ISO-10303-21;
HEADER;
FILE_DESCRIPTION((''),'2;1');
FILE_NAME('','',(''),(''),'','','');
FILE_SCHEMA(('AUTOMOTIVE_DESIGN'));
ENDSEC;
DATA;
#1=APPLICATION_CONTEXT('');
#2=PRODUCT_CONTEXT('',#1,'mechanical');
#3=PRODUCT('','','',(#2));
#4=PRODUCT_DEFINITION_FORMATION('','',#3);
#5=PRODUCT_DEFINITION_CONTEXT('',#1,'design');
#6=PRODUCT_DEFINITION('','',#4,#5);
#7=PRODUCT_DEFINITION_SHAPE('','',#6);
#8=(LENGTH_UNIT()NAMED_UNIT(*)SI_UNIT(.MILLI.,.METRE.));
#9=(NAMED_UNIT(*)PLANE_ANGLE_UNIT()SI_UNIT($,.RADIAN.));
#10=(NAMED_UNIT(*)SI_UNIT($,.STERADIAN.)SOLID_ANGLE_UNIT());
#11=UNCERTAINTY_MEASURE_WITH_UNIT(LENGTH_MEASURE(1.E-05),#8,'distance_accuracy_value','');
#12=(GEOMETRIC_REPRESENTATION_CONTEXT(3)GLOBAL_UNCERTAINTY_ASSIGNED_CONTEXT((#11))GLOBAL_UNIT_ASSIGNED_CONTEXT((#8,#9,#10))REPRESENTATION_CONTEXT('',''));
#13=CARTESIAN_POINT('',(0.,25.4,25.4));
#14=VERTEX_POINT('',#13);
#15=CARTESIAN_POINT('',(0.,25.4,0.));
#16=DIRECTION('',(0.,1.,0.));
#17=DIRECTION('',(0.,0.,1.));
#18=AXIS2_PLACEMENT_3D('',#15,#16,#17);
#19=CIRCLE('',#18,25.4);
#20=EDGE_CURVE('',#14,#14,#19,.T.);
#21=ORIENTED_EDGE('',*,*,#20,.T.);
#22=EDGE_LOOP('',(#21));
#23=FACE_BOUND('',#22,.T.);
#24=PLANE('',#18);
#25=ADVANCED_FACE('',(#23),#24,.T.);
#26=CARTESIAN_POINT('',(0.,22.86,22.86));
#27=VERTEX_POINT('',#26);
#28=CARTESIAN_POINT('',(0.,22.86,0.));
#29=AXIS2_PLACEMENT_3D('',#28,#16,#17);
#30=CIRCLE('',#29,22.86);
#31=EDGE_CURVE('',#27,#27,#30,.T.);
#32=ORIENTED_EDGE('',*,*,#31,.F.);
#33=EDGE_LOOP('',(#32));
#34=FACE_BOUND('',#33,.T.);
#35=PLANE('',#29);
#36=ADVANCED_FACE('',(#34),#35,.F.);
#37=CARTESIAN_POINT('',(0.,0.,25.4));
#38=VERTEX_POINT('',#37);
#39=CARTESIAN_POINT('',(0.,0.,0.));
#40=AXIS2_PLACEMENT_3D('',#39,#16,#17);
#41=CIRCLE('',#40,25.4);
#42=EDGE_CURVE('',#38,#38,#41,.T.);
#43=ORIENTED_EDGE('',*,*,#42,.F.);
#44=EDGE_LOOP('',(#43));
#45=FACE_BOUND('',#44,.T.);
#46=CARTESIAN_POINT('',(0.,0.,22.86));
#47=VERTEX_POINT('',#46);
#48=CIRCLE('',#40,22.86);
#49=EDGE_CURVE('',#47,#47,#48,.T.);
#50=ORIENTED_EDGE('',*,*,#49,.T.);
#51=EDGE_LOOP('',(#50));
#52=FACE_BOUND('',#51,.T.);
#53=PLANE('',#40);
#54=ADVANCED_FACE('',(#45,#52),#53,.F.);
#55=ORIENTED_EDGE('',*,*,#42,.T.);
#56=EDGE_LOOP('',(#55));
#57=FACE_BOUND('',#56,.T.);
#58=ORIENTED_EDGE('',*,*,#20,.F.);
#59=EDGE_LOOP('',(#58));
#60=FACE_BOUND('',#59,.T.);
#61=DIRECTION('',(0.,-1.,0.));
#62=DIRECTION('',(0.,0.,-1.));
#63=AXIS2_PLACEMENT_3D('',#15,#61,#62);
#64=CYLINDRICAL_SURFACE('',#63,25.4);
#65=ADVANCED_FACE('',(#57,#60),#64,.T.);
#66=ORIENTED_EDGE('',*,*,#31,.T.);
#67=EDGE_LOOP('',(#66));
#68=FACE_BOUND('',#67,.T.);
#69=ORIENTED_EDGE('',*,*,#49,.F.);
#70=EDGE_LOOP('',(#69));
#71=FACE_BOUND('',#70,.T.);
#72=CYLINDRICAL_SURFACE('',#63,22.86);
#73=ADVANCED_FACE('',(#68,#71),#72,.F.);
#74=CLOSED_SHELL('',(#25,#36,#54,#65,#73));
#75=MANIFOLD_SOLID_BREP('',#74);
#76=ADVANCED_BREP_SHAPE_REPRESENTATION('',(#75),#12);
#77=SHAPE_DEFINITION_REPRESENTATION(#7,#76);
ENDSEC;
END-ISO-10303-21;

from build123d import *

# Parameters (mm, degrees)
SKETCH1_R           = 25.4
BOSS_EXTRUDE1_DEPTH = 25.4
SHELL1_T            = -2.54


with BuildPart() as part:
    # Sketch1 → Boss-Extrude1 (new body)
    with BuildSketch(Plane(origin=(0, 0, 0), x_dir=(1, 0, 0), z_dir=(0, 1, 0))):
        with Locations(Location((0, 0, 0), (0, 0, 270))):
            Circle(SKETCH1_R)
    extrude(amount=BOSS_EXTRUDE1_DEPTH)

    # Shell1
    shell1_openings = [part.faces().sort_by_distance(p)[0] for p in [
        (0, 0, 0),
    ]]
    offset(amount=SHELL1_T, openings=shell1_openings, kind=Kind.INTERSECTION)


solid = part.part
